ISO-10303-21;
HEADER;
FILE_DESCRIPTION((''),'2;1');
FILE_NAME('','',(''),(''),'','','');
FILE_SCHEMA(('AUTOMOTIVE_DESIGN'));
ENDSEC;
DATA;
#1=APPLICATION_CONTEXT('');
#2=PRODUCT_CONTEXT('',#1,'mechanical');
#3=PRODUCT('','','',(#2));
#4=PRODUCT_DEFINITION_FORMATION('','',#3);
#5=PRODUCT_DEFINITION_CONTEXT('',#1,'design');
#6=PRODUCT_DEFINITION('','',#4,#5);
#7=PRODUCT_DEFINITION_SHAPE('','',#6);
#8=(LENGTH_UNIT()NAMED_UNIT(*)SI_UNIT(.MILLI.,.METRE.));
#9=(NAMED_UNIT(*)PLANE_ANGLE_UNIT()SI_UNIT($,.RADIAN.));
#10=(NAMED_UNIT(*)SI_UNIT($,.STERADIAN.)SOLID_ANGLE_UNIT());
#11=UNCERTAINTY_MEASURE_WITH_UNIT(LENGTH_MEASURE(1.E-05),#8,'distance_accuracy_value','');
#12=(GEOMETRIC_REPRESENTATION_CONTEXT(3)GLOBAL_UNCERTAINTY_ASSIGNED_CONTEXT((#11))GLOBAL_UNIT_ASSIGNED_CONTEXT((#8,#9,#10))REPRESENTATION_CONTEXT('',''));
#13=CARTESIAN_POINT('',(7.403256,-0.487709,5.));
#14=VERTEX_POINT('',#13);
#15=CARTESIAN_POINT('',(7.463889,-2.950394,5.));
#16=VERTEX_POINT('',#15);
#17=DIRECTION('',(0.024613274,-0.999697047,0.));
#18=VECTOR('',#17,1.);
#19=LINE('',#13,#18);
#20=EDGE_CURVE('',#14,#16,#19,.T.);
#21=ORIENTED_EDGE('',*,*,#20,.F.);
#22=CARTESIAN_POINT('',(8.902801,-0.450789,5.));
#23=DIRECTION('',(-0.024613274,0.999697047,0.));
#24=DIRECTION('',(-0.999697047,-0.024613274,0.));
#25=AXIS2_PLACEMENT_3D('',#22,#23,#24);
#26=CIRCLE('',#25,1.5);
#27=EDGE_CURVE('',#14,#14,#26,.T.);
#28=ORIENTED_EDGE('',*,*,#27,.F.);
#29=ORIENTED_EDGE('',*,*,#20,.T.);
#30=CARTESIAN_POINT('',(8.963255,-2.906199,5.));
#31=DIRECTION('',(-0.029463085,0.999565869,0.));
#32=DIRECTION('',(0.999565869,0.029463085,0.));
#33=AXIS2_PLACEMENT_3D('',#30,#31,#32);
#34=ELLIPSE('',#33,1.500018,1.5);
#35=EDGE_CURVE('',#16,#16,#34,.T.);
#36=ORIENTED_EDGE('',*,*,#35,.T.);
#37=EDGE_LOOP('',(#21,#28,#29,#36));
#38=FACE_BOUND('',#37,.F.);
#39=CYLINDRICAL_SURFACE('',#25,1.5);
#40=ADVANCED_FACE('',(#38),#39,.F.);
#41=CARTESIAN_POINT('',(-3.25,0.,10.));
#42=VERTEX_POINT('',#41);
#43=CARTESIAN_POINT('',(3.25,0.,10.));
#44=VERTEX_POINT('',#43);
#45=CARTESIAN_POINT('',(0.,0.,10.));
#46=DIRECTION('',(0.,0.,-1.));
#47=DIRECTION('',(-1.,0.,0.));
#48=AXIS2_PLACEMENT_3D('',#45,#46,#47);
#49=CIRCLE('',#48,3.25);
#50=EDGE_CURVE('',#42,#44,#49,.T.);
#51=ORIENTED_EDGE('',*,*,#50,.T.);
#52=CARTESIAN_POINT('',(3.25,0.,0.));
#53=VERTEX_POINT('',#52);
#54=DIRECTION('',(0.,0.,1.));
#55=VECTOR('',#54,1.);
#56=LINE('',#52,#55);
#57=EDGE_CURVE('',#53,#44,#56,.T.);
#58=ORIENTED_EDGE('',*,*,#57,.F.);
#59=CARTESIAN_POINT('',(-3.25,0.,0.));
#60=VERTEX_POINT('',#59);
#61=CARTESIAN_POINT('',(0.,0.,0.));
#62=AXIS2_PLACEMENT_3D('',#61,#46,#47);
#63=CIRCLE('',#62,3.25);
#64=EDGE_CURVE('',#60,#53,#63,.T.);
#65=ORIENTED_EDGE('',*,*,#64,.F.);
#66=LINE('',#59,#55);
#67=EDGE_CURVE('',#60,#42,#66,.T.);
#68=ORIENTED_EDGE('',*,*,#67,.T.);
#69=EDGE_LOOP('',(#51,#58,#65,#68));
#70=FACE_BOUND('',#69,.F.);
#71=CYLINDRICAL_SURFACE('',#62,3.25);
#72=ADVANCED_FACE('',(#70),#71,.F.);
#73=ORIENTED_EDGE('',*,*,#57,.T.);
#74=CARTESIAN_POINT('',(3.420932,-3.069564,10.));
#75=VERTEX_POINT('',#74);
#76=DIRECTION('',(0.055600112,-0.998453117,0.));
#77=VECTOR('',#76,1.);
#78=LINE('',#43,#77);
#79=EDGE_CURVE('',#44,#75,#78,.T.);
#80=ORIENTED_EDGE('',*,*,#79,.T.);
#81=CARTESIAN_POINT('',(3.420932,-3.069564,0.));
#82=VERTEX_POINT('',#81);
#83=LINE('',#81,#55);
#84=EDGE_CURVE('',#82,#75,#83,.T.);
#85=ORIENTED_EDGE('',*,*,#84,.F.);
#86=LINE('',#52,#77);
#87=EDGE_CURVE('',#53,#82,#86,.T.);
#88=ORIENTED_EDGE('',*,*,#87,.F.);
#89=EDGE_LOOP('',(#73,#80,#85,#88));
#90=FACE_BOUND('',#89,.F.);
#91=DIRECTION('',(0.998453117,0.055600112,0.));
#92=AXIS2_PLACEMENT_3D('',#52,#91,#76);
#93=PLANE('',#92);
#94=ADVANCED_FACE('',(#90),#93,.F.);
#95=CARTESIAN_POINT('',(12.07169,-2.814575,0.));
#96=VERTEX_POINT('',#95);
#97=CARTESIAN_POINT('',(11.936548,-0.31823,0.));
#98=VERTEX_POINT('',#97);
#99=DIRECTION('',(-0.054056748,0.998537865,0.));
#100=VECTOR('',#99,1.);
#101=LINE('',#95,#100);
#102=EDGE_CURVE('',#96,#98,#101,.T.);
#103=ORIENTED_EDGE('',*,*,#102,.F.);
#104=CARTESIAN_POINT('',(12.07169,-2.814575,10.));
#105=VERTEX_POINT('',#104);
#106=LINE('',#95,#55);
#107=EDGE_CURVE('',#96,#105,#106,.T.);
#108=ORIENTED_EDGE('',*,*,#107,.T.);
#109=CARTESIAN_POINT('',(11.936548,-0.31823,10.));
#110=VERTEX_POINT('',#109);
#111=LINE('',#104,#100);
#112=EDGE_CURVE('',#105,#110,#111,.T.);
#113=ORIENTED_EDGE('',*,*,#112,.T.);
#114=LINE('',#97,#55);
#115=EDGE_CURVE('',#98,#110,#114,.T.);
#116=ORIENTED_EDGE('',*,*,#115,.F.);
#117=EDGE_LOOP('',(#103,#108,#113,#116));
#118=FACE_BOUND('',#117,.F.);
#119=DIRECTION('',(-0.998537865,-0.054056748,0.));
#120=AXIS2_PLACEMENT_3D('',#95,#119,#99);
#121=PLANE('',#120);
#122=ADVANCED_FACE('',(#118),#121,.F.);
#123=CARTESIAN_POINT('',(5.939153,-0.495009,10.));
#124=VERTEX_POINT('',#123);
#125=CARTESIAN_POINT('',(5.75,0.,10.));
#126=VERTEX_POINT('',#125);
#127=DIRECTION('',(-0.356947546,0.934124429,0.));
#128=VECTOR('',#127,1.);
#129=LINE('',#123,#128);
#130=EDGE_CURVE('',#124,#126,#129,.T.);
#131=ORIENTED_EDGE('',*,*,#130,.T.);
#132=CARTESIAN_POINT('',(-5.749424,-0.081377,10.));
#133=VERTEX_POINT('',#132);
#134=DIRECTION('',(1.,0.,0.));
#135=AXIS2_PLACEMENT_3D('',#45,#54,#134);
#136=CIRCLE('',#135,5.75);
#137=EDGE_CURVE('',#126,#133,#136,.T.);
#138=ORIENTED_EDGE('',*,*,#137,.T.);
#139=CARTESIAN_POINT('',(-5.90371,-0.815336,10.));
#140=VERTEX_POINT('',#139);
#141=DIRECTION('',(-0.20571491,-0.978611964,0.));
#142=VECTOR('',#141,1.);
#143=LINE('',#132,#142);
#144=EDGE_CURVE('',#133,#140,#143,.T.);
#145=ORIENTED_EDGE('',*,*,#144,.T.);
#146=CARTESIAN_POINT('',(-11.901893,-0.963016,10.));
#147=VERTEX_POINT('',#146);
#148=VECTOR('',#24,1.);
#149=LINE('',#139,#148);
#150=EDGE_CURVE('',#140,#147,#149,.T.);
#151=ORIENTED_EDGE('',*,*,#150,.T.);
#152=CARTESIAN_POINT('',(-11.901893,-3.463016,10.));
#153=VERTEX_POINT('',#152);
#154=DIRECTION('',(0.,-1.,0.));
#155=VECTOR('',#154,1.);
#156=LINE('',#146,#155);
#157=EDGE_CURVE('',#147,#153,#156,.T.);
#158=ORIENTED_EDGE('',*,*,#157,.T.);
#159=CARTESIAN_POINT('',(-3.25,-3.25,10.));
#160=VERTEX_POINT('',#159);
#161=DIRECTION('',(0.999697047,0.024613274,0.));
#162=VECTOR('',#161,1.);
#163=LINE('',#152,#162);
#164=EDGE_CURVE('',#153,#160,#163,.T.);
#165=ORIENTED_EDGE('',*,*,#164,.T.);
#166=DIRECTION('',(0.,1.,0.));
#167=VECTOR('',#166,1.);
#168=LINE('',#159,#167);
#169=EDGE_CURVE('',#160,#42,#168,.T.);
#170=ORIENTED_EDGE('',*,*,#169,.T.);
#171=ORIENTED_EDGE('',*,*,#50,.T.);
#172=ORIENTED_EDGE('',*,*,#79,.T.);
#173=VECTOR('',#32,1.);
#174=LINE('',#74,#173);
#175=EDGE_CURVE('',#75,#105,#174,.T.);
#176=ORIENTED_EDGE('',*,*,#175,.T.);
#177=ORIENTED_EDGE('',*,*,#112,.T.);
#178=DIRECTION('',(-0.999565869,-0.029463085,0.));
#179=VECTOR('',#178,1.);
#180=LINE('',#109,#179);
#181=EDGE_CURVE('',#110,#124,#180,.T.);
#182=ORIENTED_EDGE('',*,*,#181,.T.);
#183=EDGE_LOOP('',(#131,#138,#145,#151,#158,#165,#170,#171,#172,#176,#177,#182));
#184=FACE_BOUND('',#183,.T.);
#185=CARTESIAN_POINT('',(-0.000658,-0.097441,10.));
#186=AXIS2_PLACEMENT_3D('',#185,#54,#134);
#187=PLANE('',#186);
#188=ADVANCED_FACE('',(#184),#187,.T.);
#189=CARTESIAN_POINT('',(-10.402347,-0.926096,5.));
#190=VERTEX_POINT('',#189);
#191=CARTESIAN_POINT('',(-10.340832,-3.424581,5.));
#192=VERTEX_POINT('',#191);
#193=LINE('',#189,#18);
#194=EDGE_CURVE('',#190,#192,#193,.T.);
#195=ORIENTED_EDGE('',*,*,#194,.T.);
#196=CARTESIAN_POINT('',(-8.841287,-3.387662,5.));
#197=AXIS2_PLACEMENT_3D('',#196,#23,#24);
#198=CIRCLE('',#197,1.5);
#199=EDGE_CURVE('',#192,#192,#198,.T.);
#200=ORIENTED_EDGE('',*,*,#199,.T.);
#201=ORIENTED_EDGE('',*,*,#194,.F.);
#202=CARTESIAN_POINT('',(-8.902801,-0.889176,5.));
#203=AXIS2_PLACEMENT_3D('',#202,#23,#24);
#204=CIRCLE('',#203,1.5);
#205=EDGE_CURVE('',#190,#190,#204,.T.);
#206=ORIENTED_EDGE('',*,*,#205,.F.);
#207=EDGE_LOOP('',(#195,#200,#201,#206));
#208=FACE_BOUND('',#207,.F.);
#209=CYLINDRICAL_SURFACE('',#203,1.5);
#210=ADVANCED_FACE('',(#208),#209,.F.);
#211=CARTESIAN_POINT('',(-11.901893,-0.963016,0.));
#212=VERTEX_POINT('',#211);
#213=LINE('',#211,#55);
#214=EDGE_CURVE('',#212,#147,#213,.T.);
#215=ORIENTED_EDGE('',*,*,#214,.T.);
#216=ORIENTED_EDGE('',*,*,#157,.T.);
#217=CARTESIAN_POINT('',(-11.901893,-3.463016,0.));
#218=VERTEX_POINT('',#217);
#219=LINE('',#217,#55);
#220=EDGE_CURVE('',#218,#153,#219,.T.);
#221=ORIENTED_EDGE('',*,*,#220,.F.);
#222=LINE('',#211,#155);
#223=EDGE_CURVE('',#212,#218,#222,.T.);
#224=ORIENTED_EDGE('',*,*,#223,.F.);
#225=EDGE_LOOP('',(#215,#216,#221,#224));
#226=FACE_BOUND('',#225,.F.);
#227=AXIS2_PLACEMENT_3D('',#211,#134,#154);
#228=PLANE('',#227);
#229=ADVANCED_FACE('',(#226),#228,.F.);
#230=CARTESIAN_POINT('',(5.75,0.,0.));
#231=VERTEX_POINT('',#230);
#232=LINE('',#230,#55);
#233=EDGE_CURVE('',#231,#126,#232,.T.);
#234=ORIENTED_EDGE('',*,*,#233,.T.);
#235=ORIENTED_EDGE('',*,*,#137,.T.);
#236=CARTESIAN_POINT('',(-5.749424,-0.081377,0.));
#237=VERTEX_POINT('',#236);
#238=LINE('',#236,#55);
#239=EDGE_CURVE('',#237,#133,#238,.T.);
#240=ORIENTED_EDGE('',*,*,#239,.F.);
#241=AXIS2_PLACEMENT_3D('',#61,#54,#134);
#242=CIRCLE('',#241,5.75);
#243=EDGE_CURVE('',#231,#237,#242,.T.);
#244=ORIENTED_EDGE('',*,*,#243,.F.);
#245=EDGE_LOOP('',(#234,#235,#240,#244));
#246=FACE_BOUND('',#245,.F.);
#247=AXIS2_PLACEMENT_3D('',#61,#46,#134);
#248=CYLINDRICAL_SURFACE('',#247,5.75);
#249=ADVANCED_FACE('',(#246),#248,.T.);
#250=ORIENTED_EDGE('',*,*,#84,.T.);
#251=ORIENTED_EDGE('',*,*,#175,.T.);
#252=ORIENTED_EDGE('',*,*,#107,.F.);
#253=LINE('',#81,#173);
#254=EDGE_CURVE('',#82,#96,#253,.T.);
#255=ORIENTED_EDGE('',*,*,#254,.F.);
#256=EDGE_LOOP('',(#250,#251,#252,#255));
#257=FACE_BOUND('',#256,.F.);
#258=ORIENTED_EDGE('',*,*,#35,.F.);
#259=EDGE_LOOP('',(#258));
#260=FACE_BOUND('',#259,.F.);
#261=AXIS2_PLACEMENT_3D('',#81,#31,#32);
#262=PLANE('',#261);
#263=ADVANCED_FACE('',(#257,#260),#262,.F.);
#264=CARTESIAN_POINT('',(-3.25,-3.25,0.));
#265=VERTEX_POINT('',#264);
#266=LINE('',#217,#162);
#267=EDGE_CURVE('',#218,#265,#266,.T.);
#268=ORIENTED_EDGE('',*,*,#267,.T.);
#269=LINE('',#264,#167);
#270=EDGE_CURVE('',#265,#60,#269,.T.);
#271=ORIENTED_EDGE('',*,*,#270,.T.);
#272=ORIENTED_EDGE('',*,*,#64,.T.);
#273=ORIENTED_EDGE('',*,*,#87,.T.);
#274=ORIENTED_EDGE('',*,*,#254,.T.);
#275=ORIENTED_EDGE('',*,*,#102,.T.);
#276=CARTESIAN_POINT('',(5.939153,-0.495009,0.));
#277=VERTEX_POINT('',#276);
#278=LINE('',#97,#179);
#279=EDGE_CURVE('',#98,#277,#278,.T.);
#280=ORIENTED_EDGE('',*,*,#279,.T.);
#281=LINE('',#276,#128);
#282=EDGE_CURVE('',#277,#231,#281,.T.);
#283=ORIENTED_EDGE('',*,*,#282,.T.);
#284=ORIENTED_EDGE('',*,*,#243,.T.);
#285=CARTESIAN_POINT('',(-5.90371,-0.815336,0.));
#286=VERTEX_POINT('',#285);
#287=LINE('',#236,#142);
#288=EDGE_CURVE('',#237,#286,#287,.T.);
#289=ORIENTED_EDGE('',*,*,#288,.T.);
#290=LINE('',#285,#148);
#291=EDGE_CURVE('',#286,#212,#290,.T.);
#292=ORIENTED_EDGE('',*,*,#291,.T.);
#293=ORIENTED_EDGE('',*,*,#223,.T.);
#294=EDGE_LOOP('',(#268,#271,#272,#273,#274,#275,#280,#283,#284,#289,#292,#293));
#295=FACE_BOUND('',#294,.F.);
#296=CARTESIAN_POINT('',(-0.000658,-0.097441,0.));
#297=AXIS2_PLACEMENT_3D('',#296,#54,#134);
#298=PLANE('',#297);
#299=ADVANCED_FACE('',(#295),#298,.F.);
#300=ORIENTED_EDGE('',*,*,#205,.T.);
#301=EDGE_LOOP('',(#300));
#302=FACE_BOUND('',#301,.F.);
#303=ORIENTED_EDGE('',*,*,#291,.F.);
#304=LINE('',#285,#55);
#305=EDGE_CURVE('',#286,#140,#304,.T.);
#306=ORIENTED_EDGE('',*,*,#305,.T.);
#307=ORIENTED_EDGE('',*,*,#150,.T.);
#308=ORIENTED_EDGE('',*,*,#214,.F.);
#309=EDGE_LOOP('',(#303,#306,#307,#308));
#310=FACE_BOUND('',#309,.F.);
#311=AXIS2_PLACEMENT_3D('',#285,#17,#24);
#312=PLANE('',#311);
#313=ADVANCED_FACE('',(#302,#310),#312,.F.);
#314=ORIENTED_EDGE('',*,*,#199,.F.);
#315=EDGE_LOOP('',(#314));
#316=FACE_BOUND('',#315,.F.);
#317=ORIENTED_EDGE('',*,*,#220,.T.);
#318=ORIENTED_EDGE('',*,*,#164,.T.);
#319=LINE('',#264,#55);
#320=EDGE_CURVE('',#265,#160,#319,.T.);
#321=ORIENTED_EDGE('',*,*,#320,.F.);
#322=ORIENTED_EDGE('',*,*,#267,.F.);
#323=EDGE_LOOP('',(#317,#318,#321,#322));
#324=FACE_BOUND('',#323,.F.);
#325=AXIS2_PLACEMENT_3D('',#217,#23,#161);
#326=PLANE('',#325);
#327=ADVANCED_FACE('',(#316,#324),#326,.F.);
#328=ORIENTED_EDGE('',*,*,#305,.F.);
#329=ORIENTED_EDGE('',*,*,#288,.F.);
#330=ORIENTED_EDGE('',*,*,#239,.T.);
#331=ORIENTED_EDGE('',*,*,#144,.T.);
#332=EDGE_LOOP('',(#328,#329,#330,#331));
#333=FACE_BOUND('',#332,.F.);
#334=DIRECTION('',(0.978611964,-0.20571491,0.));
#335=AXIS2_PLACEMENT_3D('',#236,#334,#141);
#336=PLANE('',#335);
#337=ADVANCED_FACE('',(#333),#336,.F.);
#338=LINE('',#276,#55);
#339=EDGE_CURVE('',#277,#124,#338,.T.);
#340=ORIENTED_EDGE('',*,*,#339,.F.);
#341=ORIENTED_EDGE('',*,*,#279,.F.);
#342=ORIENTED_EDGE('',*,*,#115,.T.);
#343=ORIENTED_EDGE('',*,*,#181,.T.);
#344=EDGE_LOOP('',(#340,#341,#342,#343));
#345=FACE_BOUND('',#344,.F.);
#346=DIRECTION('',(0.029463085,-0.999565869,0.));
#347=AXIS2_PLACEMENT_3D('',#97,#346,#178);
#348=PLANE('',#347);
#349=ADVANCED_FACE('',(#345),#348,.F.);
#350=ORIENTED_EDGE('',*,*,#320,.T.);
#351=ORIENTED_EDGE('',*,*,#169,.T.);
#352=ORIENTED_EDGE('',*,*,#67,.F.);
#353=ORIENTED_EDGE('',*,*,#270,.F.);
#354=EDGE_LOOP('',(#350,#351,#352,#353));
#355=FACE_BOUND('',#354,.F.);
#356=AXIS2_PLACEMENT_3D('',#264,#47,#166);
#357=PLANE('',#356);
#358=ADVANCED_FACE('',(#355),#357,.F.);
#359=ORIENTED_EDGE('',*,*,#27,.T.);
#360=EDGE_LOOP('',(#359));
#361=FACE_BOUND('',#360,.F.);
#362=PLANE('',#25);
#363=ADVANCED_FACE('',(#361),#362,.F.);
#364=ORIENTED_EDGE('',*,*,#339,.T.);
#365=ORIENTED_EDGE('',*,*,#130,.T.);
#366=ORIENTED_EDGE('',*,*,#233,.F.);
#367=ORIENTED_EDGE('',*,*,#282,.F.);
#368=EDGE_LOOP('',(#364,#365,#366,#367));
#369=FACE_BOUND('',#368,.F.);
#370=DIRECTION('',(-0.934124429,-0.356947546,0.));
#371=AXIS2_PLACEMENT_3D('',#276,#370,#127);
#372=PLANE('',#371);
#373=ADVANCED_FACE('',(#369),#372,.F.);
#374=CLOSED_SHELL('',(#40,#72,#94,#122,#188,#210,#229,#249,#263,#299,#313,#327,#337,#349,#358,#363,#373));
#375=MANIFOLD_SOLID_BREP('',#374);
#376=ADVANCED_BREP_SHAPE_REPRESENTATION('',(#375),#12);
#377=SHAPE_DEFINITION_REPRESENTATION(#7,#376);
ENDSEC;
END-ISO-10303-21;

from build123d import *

# Parameters (mm, degrees)
F1_DEPTH = 10
F3_D     = 3
F3_DEPTH = 3.0903109718


with BuildPart() as f1:
    # F0 (on Top) → F1 (new body)
    with BuildSketch(Plane.XY):
        with BuildLine():
            ThreePointArc((-3.25, 0), (0, 3.25), (3.25, 0))
            Line((3.25, 0), (3.4209324932, -3.0695636297))
            Line((3.4209324932, -3.0695636297), (12.0716897967, -2.8145749293))
            Line((12.0716897967, -2.8145749293), (11.9365479262, -0.3182302667))
            Line((11.9365479262, -0.3182302667), (5.9391527118, -0.4950087796))
            Line((5.9391527118, -0.4950087796), (5.75, 0))
            ThreePointArc((5.75, 0), (-0.0406896787, 5.7498560286), (-5.7494241218, -0.0813773198))
            Line((-5.7494241218, -0.0813773198), (-5.9037103042, -0.8153362928))
            Line((-5.9037103042, -0.8153362928), (-11.9018925891, -0.963015937))
            Line((-11.9018925891, -0.963015937), (-11.9018925891, -3.463015937))
            Line((-11.9018925891, -3.463015937), (-3.25, -3.25))
            Line((-3.25, -3.25), (-3.25, 0))
        make_face()
    extrude(amount=F1_DEPTH)

    # F3 (through all, one way)
    with BuildSketch(Plane(origin=(0.01648547, -0.6695767335, 0), x_dir=(-0.9996970475, -0.024613274, 0), z_dir=(-0.024613274, 0.9996970475, 0))):
        with Locations((8.9219898559, 5), (-8.8890089243, 5)):
            Circle(F3_D / 2)
    extrude(amount=-F3_DEPTH, mode=Mode.SUBTRACT)


solid = f1.part
